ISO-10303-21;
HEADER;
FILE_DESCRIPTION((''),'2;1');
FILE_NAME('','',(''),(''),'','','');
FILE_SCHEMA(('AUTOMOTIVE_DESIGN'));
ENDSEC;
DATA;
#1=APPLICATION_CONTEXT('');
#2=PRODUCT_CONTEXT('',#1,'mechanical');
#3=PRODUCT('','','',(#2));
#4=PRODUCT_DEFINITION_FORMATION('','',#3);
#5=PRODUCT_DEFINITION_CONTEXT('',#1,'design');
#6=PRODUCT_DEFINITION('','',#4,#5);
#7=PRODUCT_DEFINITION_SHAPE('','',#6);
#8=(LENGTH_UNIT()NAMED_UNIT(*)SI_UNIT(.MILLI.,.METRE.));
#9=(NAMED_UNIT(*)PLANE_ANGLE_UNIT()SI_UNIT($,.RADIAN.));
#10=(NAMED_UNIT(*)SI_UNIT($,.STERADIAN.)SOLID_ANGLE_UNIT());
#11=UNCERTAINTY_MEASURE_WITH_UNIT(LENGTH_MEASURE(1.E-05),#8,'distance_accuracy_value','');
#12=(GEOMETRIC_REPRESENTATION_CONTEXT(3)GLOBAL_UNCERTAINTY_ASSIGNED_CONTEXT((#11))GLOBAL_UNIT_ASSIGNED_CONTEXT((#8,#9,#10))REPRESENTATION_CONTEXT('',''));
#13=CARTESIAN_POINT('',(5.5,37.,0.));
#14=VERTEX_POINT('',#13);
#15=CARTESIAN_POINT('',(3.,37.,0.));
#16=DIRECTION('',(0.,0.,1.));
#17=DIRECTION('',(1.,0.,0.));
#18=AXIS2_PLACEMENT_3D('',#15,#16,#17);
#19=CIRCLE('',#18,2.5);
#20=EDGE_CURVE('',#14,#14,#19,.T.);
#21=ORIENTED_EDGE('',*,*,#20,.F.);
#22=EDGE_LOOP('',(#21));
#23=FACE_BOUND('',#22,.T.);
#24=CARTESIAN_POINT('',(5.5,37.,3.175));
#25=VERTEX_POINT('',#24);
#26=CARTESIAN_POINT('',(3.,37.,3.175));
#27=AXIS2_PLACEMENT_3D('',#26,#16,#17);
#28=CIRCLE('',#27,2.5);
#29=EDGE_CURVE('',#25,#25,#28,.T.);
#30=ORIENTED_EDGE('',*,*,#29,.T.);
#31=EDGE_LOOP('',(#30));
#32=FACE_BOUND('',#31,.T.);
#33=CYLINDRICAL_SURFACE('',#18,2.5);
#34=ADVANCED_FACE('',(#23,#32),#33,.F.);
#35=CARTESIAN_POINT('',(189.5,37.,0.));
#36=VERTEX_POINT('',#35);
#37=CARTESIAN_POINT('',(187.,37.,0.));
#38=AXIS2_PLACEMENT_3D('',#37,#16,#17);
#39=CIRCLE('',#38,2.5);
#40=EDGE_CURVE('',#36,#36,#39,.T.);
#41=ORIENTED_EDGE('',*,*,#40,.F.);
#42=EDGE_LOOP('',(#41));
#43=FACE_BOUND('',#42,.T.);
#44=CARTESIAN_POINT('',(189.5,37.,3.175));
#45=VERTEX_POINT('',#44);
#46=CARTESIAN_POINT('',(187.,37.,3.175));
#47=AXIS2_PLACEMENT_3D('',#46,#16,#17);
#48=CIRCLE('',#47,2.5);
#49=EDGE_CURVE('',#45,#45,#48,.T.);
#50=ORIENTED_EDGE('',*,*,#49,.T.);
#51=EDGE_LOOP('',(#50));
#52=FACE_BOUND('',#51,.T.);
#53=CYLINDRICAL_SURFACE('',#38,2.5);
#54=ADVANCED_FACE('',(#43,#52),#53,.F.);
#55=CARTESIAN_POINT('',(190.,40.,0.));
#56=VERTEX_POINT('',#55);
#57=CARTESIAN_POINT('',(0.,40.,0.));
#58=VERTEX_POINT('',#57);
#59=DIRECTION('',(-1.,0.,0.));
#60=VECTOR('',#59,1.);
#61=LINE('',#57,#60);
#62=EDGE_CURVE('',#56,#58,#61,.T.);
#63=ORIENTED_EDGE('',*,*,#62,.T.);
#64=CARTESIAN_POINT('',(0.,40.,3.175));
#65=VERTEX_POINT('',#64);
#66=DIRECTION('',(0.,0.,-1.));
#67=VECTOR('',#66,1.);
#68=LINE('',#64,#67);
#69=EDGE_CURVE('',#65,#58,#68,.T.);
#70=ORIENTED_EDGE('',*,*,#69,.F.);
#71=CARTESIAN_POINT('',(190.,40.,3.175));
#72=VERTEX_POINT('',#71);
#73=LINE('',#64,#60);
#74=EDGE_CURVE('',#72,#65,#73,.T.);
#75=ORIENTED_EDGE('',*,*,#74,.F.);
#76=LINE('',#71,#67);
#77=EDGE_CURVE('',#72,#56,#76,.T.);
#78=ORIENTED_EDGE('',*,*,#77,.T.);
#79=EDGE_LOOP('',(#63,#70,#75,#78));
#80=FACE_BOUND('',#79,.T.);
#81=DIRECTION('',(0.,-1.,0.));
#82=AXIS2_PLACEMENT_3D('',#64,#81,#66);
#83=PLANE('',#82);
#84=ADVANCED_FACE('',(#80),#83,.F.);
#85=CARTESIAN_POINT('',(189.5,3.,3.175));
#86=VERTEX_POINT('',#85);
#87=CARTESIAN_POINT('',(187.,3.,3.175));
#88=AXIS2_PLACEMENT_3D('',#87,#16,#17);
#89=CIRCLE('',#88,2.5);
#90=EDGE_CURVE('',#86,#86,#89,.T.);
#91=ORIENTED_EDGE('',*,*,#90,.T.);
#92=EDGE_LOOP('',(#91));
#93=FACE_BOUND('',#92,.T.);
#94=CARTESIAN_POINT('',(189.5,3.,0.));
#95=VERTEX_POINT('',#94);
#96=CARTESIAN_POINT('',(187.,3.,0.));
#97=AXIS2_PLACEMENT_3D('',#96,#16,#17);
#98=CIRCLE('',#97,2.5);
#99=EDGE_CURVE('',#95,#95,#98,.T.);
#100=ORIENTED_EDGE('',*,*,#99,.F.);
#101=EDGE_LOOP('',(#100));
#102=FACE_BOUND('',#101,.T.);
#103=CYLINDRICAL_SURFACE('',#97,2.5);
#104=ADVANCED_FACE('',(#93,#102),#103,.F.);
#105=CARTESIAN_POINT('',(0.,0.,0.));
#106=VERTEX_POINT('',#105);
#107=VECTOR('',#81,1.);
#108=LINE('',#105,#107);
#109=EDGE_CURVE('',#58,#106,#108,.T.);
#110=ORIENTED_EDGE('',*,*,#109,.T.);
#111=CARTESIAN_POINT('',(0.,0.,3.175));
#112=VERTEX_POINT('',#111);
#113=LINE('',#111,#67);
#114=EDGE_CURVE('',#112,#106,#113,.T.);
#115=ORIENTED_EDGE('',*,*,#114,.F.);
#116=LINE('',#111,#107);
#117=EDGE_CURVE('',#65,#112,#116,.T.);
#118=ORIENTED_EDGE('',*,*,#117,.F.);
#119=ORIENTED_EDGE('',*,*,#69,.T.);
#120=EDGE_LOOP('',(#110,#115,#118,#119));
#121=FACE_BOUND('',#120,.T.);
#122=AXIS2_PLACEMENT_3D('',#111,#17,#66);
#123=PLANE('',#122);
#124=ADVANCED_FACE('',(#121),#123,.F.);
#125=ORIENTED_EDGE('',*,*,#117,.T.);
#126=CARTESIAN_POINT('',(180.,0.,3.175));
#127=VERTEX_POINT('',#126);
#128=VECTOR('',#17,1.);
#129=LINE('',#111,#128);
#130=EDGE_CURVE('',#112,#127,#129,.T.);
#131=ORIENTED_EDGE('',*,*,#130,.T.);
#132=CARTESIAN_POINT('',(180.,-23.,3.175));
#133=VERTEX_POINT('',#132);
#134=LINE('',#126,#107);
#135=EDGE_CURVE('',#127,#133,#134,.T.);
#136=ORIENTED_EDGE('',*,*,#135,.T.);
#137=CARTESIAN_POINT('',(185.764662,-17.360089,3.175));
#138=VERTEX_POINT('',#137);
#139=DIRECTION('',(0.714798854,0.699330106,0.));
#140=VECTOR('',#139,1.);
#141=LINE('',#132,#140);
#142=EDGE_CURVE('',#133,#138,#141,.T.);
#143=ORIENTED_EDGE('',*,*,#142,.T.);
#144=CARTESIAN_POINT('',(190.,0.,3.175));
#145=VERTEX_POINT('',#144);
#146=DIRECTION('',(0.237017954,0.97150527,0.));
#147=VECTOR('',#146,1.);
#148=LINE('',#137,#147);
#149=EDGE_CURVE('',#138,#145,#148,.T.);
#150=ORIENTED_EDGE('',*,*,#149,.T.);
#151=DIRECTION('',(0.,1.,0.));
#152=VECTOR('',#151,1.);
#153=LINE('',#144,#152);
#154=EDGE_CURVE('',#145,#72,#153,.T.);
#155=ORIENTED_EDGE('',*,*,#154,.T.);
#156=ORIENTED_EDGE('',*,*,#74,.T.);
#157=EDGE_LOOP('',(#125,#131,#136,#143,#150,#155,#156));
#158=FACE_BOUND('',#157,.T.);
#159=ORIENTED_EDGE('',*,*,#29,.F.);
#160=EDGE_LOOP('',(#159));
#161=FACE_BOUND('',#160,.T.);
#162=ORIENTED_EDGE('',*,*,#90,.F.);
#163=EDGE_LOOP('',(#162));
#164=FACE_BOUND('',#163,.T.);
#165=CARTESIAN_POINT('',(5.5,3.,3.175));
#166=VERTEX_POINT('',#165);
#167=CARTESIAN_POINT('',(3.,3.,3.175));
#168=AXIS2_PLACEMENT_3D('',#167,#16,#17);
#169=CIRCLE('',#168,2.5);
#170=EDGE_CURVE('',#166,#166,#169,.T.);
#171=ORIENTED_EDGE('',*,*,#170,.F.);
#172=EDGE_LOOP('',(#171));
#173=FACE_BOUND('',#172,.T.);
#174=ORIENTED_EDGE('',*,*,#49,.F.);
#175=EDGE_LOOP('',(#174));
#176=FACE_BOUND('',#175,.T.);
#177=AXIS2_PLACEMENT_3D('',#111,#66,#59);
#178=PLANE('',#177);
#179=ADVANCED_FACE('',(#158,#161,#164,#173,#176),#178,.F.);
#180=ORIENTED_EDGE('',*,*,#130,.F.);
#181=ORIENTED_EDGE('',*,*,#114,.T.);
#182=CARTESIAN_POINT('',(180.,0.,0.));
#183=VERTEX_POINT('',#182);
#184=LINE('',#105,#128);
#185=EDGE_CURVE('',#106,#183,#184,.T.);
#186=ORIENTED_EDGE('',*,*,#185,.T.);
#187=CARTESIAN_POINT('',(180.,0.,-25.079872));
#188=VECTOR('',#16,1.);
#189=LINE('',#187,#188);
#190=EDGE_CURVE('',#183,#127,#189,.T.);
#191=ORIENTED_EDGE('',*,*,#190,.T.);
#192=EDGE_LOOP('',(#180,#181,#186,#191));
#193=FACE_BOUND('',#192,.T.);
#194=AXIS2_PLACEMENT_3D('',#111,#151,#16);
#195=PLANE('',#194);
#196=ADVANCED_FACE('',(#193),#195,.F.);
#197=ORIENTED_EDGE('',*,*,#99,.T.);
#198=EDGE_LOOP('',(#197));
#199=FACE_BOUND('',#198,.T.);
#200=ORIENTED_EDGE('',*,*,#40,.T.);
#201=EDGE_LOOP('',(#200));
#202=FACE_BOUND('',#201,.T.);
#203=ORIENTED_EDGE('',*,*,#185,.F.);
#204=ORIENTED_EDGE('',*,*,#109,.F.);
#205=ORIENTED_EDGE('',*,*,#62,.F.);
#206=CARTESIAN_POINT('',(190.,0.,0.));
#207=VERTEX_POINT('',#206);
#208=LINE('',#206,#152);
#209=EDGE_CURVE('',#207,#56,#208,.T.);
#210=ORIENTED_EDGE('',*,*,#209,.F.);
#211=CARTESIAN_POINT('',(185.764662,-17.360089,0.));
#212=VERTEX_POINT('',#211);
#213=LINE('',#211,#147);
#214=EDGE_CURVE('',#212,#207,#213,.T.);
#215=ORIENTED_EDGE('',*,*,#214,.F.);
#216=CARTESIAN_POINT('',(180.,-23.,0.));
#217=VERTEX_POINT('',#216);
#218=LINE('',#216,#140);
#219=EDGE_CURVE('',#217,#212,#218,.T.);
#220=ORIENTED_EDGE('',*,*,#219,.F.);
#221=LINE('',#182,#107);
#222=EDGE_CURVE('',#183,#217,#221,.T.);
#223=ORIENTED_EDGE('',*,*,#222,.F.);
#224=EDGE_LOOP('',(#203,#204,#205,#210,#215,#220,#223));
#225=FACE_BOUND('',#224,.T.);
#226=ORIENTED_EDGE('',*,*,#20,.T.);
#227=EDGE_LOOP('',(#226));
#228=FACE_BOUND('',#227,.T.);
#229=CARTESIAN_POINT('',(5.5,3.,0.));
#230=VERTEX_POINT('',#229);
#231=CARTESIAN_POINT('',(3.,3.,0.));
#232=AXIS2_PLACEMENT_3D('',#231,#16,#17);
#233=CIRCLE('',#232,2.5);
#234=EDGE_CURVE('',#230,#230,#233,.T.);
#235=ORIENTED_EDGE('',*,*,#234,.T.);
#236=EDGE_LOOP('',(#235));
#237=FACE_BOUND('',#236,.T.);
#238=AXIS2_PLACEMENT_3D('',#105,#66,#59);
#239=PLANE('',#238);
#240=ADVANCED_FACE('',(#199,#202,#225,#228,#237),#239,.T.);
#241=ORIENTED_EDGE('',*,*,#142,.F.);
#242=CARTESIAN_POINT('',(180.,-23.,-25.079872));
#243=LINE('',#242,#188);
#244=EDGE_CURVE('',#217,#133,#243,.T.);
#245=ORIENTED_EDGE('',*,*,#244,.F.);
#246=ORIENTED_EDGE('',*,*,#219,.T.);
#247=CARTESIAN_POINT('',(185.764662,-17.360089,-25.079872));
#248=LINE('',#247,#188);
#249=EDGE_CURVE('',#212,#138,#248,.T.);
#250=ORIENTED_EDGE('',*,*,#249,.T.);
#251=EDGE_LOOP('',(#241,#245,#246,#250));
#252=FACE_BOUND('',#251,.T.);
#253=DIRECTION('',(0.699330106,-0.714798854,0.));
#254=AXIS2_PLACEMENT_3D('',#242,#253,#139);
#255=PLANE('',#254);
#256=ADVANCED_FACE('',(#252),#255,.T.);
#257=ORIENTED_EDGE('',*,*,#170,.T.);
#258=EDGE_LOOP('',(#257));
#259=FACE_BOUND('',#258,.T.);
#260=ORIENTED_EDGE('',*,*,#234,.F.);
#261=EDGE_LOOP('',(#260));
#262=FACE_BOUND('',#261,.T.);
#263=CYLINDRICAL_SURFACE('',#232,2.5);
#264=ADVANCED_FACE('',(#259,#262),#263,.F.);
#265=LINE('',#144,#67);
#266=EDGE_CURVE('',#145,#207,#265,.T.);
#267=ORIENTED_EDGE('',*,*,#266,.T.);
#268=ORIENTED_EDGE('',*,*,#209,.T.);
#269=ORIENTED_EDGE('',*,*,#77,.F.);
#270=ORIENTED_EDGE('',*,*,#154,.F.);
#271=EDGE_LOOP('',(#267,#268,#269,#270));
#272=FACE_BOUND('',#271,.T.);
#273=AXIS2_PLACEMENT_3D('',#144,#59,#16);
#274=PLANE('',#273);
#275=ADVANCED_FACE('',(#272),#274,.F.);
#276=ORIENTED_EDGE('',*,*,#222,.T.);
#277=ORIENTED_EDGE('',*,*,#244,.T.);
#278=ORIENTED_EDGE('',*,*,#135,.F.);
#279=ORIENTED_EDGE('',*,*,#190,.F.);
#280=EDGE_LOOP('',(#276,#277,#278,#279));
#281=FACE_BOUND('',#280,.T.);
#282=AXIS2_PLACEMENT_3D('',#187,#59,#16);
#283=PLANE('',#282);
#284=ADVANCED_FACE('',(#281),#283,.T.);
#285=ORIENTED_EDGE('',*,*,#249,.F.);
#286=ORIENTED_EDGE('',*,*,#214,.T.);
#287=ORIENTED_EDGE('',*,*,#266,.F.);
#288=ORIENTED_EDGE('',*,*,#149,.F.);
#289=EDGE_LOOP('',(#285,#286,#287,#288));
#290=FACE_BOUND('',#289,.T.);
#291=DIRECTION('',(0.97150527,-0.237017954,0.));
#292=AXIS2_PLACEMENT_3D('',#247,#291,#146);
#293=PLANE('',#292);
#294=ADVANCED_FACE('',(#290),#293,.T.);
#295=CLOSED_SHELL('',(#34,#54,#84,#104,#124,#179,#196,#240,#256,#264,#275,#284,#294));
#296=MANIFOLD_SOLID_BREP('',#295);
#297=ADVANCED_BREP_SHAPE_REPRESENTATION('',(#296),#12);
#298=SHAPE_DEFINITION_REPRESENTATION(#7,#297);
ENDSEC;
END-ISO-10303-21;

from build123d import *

# Parameters (mm, degrees)
SKETCH1_W           = 190
SKETCH1_H           = 40
BOSS_EXTRUDE1_DEPTH = 3.175
SKETCH6_R           = 2.5
CUT_EXTRUDE2_DEPTH  = 195.190835584
BOSS_EXTRUDE2_DEPTH = 3.175


with BuildPart() as part:
    # Sketch1 → Boss-Extrude1 (new body)
    with BuildSketch(Plane.XY):
        with Locations((95, 20)):
            Rectangle(SKETCH1_W, SKETCH1_H)
    extrude(amount=BOSS_EXTRUDE1_DEPTH)

    # Sketch6 → Cut-Extrude2 (cut, through all)
    with BuildSketch(Plane.XY.offset(3.175)):
        with Locations((3, 37)):
            Circle(SKETCH6_R)
        with Locations((3, 3)):
            Circle(SKETCH6_R)
        with Locations((187, 37)):
            Circle(SKETCH6_R)
        with Locations((187, 3)):
            Circle(SKETCH6_R)
    extrude(amount=-CUT_EXTRUDE2_DEPTH, mode=Mode.SUBTRACT)

    # Sketch8 → Boss-Extrude2 (add)
    with BuildSketch(Plane.XY.offset(3.175)):
        Polygon((180, -23), (185.764662443, -17.360088892), (190, 0), (180, 0), align=None)
    extrude(amount=-BOSS_EXTRUDE2_DEPTH)


solid = part.part
